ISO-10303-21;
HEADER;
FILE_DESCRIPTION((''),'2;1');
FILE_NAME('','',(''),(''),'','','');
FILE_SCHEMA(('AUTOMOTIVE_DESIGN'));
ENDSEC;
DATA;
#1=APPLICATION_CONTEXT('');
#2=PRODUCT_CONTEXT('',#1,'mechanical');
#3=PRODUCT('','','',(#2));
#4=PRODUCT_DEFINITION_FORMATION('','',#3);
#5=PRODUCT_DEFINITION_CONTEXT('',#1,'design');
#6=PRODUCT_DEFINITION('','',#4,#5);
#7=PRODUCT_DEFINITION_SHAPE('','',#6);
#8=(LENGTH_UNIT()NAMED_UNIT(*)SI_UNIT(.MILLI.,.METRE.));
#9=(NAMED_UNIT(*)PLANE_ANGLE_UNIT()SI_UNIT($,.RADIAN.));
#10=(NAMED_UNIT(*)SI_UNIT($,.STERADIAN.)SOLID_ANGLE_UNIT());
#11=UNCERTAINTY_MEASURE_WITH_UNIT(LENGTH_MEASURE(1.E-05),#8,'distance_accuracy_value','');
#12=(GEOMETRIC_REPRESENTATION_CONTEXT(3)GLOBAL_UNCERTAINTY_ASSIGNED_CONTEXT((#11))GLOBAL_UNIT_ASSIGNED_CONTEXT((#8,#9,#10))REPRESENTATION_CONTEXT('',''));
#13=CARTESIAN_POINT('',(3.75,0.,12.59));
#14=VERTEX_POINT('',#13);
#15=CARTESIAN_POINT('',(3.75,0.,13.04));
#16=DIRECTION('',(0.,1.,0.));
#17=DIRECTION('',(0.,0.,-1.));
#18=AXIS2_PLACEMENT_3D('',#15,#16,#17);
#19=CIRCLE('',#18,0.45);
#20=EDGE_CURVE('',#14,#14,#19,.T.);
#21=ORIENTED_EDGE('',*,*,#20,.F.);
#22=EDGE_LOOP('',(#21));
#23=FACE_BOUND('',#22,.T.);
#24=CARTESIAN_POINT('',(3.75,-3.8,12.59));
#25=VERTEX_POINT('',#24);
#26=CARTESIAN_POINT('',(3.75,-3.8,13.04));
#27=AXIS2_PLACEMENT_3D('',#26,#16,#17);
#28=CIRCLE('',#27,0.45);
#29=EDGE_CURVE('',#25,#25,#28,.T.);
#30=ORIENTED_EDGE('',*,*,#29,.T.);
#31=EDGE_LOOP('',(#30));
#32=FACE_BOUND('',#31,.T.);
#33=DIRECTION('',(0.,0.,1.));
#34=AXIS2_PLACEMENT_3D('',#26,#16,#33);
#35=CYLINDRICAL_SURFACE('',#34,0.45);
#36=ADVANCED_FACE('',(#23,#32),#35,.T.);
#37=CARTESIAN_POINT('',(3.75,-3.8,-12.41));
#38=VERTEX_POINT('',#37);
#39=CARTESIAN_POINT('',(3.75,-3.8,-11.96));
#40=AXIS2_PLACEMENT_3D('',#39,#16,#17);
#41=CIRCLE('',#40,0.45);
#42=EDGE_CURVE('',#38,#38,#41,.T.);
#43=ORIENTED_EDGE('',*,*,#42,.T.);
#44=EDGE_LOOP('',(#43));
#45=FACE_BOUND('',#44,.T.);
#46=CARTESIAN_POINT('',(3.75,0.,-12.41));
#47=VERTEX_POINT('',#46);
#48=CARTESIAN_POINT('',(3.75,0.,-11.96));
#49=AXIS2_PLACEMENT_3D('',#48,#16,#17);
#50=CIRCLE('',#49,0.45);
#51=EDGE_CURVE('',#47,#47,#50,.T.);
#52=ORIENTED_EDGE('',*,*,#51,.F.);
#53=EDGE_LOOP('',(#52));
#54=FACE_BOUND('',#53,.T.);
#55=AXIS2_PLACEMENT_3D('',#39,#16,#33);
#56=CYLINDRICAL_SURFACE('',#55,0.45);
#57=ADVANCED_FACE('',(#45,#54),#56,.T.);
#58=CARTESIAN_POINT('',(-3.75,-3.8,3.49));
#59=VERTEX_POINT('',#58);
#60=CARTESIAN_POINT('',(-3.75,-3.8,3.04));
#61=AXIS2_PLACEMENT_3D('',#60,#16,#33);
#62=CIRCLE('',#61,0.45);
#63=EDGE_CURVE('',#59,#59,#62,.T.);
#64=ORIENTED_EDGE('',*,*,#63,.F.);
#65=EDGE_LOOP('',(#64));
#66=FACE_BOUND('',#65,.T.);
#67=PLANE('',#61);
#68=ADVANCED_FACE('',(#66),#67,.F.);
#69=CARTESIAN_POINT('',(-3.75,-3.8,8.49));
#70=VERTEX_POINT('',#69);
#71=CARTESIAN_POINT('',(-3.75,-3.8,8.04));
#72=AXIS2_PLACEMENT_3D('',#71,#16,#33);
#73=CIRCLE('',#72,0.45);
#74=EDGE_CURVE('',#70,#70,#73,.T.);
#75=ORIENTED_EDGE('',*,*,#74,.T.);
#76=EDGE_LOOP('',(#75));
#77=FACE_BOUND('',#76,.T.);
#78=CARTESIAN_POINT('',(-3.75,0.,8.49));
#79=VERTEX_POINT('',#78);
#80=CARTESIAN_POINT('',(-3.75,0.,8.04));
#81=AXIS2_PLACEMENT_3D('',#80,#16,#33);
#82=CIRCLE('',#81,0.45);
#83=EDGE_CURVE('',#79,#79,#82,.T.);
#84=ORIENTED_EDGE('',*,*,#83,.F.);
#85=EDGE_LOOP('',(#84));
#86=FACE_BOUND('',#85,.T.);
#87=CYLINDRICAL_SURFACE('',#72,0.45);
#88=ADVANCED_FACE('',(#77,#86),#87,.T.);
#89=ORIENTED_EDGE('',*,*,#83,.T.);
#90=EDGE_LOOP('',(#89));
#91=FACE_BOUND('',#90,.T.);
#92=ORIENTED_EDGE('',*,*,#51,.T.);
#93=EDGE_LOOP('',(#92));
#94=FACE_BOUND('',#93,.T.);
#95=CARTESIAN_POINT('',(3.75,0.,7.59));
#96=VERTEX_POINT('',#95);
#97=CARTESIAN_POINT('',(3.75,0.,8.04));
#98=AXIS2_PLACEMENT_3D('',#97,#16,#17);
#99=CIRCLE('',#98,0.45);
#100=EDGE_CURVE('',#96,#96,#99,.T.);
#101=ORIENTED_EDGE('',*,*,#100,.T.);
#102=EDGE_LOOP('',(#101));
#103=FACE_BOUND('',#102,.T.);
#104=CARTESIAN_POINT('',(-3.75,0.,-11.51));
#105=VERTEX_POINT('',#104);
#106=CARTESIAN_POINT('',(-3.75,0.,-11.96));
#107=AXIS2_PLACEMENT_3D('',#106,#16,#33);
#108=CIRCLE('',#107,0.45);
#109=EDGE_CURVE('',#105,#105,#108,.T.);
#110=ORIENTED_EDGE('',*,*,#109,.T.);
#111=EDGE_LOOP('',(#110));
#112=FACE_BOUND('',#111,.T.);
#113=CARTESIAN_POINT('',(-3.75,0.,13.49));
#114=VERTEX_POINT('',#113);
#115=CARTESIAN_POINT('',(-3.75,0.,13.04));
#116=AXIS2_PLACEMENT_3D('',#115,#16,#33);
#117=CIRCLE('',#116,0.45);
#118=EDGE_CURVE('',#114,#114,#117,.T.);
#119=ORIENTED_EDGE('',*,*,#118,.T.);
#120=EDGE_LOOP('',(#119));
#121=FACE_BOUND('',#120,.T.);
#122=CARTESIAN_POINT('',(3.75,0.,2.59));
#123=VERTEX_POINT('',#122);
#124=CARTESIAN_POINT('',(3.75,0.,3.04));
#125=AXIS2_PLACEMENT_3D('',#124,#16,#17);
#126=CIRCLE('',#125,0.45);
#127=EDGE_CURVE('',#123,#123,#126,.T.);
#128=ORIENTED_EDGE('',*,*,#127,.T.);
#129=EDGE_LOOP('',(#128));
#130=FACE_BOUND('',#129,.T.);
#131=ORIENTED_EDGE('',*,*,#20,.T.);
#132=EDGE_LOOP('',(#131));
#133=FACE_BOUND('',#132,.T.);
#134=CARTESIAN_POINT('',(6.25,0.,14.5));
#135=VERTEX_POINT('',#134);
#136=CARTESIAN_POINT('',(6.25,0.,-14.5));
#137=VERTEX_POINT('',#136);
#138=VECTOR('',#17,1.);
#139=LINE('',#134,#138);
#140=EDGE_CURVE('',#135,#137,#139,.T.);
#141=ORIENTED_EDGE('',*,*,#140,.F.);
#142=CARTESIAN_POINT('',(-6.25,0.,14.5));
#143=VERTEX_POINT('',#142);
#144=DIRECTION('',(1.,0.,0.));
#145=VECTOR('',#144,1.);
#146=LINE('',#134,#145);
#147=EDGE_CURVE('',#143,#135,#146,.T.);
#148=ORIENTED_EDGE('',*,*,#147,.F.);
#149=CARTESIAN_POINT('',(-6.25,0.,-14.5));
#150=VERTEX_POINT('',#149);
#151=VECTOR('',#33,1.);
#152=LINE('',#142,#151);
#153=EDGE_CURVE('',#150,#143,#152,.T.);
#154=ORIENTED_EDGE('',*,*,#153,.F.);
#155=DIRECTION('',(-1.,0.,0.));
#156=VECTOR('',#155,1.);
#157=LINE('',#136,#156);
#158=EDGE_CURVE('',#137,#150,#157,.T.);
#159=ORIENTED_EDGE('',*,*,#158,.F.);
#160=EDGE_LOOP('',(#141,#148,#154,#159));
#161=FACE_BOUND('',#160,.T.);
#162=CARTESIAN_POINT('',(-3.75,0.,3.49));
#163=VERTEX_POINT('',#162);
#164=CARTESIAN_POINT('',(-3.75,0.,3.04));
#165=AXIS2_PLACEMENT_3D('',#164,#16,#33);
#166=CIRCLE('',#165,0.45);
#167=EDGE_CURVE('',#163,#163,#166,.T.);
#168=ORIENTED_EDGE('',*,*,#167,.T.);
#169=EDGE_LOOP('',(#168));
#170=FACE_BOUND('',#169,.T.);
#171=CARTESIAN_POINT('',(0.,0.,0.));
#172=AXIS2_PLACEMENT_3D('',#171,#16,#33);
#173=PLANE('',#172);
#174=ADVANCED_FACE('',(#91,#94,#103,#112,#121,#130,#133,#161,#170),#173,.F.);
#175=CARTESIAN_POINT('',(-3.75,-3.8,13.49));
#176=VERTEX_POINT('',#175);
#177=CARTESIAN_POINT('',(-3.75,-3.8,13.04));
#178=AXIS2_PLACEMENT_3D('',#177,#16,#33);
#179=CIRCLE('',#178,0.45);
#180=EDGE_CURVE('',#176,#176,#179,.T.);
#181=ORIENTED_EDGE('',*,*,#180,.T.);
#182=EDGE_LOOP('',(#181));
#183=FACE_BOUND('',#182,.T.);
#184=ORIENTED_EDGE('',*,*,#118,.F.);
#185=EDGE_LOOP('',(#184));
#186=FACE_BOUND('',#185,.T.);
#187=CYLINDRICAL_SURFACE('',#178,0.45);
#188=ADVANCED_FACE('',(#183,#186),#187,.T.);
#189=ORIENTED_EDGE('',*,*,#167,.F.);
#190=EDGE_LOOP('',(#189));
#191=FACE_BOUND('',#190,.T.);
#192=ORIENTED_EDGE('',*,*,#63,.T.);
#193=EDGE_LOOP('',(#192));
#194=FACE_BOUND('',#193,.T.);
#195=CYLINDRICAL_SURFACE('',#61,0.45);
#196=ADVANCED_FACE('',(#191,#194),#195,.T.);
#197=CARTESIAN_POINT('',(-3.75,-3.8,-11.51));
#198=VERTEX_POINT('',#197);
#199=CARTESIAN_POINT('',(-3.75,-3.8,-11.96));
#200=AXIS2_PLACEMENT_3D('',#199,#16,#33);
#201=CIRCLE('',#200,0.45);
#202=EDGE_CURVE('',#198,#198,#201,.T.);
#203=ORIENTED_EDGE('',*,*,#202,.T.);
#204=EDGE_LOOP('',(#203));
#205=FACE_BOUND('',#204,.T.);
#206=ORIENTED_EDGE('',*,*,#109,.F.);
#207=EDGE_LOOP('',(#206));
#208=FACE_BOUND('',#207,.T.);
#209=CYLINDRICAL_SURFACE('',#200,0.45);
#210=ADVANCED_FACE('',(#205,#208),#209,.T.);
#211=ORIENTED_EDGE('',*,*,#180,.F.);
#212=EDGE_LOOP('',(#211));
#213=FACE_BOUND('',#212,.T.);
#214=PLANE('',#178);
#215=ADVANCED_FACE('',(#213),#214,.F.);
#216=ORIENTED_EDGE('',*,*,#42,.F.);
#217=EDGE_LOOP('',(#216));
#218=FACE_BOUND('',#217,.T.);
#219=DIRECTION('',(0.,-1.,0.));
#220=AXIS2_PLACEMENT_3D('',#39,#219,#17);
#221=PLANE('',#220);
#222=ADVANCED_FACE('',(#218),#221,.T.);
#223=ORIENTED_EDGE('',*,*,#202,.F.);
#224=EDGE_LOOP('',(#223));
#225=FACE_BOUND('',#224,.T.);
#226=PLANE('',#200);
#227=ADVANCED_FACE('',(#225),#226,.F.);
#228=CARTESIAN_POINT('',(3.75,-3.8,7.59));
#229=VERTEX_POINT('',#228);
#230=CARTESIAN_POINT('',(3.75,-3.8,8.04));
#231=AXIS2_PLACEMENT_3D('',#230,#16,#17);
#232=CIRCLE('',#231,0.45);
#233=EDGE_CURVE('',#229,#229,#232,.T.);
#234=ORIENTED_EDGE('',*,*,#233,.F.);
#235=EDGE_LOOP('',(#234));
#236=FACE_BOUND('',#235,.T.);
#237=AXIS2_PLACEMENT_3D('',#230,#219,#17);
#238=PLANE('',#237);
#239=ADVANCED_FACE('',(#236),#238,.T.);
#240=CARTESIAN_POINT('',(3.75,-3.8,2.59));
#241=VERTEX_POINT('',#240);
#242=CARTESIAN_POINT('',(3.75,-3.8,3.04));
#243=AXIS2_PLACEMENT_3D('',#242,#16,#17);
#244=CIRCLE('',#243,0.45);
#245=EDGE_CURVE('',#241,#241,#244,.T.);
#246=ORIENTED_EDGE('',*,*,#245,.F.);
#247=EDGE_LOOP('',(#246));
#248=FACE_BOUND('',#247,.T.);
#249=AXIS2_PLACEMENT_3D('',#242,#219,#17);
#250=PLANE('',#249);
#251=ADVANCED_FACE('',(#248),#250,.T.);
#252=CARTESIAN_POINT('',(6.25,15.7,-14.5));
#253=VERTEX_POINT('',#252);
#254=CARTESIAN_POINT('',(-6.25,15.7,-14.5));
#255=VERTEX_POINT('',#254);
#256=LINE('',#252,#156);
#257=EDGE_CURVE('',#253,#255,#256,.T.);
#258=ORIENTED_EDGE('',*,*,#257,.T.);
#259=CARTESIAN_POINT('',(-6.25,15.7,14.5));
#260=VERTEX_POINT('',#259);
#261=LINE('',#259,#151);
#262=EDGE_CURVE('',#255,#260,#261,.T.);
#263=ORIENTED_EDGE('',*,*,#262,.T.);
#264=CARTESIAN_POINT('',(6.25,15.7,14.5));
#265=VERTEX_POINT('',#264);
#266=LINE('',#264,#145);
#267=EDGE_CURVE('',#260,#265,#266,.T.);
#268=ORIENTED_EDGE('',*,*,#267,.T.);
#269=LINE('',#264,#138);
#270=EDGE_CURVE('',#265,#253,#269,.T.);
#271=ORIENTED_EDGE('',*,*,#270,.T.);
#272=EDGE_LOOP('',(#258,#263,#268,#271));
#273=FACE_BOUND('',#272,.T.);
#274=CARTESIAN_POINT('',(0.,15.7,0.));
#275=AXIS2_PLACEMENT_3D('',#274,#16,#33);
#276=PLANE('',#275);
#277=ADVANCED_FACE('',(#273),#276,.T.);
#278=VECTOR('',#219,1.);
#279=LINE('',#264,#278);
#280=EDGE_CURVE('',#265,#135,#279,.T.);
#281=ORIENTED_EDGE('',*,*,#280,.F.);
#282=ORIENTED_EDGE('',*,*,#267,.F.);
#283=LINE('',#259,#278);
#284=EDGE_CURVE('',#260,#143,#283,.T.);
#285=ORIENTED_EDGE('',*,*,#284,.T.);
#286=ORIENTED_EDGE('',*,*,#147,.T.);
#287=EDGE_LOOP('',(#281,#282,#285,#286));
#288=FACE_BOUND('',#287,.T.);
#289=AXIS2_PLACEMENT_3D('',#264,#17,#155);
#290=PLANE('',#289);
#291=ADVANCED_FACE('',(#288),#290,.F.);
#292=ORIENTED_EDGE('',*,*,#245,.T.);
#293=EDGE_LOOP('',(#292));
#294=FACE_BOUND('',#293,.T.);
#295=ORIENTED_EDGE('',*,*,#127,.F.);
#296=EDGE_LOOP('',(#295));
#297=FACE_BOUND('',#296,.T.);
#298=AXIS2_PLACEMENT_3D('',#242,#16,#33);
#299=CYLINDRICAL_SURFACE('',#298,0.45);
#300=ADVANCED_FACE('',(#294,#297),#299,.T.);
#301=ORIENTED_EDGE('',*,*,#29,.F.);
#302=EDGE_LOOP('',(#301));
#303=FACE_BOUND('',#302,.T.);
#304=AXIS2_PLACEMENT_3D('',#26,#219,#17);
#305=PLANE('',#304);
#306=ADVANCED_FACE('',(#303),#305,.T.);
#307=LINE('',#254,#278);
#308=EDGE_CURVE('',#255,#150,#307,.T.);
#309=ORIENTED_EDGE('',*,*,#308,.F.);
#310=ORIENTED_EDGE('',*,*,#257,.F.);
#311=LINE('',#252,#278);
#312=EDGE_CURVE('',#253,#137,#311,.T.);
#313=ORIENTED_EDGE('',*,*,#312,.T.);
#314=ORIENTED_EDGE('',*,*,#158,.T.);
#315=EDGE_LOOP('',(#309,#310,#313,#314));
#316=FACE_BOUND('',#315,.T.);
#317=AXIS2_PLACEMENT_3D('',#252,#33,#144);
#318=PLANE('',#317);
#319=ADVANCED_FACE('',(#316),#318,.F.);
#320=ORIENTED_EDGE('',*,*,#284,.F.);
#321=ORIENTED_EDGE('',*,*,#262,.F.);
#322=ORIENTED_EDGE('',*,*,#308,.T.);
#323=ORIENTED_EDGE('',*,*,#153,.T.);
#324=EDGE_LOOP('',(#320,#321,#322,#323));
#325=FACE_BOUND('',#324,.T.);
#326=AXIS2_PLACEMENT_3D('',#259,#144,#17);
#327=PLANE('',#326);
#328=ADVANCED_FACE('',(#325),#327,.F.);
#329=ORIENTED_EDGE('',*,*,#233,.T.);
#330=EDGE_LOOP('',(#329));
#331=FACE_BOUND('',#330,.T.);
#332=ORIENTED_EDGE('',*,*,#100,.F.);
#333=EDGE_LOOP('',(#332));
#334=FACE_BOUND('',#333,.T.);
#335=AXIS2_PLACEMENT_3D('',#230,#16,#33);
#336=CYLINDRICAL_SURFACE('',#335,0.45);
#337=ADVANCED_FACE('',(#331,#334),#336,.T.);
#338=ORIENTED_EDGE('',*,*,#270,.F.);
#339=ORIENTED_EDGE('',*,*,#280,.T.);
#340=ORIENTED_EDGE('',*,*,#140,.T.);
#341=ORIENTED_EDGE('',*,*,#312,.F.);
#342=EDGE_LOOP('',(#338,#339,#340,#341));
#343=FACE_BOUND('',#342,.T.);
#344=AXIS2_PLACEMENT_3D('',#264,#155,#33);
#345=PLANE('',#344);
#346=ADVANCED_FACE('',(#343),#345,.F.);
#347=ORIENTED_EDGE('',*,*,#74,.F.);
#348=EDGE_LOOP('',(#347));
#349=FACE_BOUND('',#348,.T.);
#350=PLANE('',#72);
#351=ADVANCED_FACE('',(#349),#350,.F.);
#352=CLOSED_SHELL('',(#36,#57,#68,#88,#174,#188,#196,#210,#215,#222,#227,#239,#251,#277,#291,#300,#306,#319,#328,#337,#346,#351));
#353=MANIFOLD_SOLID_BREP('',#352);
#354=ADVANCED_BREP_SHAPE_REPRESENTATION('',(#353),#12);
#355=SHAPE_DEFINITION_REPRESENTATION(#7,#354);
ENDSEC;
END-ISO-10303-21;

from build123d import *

# Parameters (mm, degrees)
SKETCH1_W           = 12.5
SKETCH1_H           = 29
BOSS_EXTRUDE1_DEPTH = 15.7
SKETCH2_R           = 0.45
BOSS_EXTRUDE2_DEPTH = 3.8


with BuildPart() as part:
    # Sketch1 → Boss-Extrude1 (new body)
    with BuildSketch(Plane(origin=(0, 0, 0), x_dir=(1, 0, 0), z_dir=(0, 1, 0))):
        Rectangle(SKETCH1_W, SKETCH1_H)
    extrude(amount=BOSS_EXTRUDE1_DEPTH)

    # Sketch2 → Boss-Extrude2 (add)
    with BuildSketch(Plane(origin=(0, 0, 0), x_dir=(1, 0, 0), z_dir=(0, 1, 0))):
        with Locations(Location((-3.75, -13.04, 0), (0, 0, 270))):
            Circle(SKETCH2_R)
        with Locations(Location((-3.75, -8.04, 0), (0, 0, 270))):
            Circle(SKETCH2_R)
        with Locations(Location((-3.75, -3.04, 0), (0, 0, 270))):
            Circle(SKETCH2_R)
        with Locations(Location((-3.75, 11.96, 0), (0, 0, 270))):
            Circle(SKETCH2_R)
        with Locations(Location((3.75, 11.96, 0), (0, 0, 90))):
            Circle(SKETCH2_R)
        with Locations(Location((3.75, -3.04, 0), (0, 0, 90))):
            Circle(SKETCH2_R)
        with Locations(Location((3.75, -8.04, 0), (0, 0, 90))):
            Circle(SKETCH2_R)
        with Locations(Location((3.75, -13.04, 0), (0, 0, 90))):
            Circle(SKETCH2_R)
    extrude(amount=-BOSS_EXTRUDE2_DEPTH)


solid = part.part
